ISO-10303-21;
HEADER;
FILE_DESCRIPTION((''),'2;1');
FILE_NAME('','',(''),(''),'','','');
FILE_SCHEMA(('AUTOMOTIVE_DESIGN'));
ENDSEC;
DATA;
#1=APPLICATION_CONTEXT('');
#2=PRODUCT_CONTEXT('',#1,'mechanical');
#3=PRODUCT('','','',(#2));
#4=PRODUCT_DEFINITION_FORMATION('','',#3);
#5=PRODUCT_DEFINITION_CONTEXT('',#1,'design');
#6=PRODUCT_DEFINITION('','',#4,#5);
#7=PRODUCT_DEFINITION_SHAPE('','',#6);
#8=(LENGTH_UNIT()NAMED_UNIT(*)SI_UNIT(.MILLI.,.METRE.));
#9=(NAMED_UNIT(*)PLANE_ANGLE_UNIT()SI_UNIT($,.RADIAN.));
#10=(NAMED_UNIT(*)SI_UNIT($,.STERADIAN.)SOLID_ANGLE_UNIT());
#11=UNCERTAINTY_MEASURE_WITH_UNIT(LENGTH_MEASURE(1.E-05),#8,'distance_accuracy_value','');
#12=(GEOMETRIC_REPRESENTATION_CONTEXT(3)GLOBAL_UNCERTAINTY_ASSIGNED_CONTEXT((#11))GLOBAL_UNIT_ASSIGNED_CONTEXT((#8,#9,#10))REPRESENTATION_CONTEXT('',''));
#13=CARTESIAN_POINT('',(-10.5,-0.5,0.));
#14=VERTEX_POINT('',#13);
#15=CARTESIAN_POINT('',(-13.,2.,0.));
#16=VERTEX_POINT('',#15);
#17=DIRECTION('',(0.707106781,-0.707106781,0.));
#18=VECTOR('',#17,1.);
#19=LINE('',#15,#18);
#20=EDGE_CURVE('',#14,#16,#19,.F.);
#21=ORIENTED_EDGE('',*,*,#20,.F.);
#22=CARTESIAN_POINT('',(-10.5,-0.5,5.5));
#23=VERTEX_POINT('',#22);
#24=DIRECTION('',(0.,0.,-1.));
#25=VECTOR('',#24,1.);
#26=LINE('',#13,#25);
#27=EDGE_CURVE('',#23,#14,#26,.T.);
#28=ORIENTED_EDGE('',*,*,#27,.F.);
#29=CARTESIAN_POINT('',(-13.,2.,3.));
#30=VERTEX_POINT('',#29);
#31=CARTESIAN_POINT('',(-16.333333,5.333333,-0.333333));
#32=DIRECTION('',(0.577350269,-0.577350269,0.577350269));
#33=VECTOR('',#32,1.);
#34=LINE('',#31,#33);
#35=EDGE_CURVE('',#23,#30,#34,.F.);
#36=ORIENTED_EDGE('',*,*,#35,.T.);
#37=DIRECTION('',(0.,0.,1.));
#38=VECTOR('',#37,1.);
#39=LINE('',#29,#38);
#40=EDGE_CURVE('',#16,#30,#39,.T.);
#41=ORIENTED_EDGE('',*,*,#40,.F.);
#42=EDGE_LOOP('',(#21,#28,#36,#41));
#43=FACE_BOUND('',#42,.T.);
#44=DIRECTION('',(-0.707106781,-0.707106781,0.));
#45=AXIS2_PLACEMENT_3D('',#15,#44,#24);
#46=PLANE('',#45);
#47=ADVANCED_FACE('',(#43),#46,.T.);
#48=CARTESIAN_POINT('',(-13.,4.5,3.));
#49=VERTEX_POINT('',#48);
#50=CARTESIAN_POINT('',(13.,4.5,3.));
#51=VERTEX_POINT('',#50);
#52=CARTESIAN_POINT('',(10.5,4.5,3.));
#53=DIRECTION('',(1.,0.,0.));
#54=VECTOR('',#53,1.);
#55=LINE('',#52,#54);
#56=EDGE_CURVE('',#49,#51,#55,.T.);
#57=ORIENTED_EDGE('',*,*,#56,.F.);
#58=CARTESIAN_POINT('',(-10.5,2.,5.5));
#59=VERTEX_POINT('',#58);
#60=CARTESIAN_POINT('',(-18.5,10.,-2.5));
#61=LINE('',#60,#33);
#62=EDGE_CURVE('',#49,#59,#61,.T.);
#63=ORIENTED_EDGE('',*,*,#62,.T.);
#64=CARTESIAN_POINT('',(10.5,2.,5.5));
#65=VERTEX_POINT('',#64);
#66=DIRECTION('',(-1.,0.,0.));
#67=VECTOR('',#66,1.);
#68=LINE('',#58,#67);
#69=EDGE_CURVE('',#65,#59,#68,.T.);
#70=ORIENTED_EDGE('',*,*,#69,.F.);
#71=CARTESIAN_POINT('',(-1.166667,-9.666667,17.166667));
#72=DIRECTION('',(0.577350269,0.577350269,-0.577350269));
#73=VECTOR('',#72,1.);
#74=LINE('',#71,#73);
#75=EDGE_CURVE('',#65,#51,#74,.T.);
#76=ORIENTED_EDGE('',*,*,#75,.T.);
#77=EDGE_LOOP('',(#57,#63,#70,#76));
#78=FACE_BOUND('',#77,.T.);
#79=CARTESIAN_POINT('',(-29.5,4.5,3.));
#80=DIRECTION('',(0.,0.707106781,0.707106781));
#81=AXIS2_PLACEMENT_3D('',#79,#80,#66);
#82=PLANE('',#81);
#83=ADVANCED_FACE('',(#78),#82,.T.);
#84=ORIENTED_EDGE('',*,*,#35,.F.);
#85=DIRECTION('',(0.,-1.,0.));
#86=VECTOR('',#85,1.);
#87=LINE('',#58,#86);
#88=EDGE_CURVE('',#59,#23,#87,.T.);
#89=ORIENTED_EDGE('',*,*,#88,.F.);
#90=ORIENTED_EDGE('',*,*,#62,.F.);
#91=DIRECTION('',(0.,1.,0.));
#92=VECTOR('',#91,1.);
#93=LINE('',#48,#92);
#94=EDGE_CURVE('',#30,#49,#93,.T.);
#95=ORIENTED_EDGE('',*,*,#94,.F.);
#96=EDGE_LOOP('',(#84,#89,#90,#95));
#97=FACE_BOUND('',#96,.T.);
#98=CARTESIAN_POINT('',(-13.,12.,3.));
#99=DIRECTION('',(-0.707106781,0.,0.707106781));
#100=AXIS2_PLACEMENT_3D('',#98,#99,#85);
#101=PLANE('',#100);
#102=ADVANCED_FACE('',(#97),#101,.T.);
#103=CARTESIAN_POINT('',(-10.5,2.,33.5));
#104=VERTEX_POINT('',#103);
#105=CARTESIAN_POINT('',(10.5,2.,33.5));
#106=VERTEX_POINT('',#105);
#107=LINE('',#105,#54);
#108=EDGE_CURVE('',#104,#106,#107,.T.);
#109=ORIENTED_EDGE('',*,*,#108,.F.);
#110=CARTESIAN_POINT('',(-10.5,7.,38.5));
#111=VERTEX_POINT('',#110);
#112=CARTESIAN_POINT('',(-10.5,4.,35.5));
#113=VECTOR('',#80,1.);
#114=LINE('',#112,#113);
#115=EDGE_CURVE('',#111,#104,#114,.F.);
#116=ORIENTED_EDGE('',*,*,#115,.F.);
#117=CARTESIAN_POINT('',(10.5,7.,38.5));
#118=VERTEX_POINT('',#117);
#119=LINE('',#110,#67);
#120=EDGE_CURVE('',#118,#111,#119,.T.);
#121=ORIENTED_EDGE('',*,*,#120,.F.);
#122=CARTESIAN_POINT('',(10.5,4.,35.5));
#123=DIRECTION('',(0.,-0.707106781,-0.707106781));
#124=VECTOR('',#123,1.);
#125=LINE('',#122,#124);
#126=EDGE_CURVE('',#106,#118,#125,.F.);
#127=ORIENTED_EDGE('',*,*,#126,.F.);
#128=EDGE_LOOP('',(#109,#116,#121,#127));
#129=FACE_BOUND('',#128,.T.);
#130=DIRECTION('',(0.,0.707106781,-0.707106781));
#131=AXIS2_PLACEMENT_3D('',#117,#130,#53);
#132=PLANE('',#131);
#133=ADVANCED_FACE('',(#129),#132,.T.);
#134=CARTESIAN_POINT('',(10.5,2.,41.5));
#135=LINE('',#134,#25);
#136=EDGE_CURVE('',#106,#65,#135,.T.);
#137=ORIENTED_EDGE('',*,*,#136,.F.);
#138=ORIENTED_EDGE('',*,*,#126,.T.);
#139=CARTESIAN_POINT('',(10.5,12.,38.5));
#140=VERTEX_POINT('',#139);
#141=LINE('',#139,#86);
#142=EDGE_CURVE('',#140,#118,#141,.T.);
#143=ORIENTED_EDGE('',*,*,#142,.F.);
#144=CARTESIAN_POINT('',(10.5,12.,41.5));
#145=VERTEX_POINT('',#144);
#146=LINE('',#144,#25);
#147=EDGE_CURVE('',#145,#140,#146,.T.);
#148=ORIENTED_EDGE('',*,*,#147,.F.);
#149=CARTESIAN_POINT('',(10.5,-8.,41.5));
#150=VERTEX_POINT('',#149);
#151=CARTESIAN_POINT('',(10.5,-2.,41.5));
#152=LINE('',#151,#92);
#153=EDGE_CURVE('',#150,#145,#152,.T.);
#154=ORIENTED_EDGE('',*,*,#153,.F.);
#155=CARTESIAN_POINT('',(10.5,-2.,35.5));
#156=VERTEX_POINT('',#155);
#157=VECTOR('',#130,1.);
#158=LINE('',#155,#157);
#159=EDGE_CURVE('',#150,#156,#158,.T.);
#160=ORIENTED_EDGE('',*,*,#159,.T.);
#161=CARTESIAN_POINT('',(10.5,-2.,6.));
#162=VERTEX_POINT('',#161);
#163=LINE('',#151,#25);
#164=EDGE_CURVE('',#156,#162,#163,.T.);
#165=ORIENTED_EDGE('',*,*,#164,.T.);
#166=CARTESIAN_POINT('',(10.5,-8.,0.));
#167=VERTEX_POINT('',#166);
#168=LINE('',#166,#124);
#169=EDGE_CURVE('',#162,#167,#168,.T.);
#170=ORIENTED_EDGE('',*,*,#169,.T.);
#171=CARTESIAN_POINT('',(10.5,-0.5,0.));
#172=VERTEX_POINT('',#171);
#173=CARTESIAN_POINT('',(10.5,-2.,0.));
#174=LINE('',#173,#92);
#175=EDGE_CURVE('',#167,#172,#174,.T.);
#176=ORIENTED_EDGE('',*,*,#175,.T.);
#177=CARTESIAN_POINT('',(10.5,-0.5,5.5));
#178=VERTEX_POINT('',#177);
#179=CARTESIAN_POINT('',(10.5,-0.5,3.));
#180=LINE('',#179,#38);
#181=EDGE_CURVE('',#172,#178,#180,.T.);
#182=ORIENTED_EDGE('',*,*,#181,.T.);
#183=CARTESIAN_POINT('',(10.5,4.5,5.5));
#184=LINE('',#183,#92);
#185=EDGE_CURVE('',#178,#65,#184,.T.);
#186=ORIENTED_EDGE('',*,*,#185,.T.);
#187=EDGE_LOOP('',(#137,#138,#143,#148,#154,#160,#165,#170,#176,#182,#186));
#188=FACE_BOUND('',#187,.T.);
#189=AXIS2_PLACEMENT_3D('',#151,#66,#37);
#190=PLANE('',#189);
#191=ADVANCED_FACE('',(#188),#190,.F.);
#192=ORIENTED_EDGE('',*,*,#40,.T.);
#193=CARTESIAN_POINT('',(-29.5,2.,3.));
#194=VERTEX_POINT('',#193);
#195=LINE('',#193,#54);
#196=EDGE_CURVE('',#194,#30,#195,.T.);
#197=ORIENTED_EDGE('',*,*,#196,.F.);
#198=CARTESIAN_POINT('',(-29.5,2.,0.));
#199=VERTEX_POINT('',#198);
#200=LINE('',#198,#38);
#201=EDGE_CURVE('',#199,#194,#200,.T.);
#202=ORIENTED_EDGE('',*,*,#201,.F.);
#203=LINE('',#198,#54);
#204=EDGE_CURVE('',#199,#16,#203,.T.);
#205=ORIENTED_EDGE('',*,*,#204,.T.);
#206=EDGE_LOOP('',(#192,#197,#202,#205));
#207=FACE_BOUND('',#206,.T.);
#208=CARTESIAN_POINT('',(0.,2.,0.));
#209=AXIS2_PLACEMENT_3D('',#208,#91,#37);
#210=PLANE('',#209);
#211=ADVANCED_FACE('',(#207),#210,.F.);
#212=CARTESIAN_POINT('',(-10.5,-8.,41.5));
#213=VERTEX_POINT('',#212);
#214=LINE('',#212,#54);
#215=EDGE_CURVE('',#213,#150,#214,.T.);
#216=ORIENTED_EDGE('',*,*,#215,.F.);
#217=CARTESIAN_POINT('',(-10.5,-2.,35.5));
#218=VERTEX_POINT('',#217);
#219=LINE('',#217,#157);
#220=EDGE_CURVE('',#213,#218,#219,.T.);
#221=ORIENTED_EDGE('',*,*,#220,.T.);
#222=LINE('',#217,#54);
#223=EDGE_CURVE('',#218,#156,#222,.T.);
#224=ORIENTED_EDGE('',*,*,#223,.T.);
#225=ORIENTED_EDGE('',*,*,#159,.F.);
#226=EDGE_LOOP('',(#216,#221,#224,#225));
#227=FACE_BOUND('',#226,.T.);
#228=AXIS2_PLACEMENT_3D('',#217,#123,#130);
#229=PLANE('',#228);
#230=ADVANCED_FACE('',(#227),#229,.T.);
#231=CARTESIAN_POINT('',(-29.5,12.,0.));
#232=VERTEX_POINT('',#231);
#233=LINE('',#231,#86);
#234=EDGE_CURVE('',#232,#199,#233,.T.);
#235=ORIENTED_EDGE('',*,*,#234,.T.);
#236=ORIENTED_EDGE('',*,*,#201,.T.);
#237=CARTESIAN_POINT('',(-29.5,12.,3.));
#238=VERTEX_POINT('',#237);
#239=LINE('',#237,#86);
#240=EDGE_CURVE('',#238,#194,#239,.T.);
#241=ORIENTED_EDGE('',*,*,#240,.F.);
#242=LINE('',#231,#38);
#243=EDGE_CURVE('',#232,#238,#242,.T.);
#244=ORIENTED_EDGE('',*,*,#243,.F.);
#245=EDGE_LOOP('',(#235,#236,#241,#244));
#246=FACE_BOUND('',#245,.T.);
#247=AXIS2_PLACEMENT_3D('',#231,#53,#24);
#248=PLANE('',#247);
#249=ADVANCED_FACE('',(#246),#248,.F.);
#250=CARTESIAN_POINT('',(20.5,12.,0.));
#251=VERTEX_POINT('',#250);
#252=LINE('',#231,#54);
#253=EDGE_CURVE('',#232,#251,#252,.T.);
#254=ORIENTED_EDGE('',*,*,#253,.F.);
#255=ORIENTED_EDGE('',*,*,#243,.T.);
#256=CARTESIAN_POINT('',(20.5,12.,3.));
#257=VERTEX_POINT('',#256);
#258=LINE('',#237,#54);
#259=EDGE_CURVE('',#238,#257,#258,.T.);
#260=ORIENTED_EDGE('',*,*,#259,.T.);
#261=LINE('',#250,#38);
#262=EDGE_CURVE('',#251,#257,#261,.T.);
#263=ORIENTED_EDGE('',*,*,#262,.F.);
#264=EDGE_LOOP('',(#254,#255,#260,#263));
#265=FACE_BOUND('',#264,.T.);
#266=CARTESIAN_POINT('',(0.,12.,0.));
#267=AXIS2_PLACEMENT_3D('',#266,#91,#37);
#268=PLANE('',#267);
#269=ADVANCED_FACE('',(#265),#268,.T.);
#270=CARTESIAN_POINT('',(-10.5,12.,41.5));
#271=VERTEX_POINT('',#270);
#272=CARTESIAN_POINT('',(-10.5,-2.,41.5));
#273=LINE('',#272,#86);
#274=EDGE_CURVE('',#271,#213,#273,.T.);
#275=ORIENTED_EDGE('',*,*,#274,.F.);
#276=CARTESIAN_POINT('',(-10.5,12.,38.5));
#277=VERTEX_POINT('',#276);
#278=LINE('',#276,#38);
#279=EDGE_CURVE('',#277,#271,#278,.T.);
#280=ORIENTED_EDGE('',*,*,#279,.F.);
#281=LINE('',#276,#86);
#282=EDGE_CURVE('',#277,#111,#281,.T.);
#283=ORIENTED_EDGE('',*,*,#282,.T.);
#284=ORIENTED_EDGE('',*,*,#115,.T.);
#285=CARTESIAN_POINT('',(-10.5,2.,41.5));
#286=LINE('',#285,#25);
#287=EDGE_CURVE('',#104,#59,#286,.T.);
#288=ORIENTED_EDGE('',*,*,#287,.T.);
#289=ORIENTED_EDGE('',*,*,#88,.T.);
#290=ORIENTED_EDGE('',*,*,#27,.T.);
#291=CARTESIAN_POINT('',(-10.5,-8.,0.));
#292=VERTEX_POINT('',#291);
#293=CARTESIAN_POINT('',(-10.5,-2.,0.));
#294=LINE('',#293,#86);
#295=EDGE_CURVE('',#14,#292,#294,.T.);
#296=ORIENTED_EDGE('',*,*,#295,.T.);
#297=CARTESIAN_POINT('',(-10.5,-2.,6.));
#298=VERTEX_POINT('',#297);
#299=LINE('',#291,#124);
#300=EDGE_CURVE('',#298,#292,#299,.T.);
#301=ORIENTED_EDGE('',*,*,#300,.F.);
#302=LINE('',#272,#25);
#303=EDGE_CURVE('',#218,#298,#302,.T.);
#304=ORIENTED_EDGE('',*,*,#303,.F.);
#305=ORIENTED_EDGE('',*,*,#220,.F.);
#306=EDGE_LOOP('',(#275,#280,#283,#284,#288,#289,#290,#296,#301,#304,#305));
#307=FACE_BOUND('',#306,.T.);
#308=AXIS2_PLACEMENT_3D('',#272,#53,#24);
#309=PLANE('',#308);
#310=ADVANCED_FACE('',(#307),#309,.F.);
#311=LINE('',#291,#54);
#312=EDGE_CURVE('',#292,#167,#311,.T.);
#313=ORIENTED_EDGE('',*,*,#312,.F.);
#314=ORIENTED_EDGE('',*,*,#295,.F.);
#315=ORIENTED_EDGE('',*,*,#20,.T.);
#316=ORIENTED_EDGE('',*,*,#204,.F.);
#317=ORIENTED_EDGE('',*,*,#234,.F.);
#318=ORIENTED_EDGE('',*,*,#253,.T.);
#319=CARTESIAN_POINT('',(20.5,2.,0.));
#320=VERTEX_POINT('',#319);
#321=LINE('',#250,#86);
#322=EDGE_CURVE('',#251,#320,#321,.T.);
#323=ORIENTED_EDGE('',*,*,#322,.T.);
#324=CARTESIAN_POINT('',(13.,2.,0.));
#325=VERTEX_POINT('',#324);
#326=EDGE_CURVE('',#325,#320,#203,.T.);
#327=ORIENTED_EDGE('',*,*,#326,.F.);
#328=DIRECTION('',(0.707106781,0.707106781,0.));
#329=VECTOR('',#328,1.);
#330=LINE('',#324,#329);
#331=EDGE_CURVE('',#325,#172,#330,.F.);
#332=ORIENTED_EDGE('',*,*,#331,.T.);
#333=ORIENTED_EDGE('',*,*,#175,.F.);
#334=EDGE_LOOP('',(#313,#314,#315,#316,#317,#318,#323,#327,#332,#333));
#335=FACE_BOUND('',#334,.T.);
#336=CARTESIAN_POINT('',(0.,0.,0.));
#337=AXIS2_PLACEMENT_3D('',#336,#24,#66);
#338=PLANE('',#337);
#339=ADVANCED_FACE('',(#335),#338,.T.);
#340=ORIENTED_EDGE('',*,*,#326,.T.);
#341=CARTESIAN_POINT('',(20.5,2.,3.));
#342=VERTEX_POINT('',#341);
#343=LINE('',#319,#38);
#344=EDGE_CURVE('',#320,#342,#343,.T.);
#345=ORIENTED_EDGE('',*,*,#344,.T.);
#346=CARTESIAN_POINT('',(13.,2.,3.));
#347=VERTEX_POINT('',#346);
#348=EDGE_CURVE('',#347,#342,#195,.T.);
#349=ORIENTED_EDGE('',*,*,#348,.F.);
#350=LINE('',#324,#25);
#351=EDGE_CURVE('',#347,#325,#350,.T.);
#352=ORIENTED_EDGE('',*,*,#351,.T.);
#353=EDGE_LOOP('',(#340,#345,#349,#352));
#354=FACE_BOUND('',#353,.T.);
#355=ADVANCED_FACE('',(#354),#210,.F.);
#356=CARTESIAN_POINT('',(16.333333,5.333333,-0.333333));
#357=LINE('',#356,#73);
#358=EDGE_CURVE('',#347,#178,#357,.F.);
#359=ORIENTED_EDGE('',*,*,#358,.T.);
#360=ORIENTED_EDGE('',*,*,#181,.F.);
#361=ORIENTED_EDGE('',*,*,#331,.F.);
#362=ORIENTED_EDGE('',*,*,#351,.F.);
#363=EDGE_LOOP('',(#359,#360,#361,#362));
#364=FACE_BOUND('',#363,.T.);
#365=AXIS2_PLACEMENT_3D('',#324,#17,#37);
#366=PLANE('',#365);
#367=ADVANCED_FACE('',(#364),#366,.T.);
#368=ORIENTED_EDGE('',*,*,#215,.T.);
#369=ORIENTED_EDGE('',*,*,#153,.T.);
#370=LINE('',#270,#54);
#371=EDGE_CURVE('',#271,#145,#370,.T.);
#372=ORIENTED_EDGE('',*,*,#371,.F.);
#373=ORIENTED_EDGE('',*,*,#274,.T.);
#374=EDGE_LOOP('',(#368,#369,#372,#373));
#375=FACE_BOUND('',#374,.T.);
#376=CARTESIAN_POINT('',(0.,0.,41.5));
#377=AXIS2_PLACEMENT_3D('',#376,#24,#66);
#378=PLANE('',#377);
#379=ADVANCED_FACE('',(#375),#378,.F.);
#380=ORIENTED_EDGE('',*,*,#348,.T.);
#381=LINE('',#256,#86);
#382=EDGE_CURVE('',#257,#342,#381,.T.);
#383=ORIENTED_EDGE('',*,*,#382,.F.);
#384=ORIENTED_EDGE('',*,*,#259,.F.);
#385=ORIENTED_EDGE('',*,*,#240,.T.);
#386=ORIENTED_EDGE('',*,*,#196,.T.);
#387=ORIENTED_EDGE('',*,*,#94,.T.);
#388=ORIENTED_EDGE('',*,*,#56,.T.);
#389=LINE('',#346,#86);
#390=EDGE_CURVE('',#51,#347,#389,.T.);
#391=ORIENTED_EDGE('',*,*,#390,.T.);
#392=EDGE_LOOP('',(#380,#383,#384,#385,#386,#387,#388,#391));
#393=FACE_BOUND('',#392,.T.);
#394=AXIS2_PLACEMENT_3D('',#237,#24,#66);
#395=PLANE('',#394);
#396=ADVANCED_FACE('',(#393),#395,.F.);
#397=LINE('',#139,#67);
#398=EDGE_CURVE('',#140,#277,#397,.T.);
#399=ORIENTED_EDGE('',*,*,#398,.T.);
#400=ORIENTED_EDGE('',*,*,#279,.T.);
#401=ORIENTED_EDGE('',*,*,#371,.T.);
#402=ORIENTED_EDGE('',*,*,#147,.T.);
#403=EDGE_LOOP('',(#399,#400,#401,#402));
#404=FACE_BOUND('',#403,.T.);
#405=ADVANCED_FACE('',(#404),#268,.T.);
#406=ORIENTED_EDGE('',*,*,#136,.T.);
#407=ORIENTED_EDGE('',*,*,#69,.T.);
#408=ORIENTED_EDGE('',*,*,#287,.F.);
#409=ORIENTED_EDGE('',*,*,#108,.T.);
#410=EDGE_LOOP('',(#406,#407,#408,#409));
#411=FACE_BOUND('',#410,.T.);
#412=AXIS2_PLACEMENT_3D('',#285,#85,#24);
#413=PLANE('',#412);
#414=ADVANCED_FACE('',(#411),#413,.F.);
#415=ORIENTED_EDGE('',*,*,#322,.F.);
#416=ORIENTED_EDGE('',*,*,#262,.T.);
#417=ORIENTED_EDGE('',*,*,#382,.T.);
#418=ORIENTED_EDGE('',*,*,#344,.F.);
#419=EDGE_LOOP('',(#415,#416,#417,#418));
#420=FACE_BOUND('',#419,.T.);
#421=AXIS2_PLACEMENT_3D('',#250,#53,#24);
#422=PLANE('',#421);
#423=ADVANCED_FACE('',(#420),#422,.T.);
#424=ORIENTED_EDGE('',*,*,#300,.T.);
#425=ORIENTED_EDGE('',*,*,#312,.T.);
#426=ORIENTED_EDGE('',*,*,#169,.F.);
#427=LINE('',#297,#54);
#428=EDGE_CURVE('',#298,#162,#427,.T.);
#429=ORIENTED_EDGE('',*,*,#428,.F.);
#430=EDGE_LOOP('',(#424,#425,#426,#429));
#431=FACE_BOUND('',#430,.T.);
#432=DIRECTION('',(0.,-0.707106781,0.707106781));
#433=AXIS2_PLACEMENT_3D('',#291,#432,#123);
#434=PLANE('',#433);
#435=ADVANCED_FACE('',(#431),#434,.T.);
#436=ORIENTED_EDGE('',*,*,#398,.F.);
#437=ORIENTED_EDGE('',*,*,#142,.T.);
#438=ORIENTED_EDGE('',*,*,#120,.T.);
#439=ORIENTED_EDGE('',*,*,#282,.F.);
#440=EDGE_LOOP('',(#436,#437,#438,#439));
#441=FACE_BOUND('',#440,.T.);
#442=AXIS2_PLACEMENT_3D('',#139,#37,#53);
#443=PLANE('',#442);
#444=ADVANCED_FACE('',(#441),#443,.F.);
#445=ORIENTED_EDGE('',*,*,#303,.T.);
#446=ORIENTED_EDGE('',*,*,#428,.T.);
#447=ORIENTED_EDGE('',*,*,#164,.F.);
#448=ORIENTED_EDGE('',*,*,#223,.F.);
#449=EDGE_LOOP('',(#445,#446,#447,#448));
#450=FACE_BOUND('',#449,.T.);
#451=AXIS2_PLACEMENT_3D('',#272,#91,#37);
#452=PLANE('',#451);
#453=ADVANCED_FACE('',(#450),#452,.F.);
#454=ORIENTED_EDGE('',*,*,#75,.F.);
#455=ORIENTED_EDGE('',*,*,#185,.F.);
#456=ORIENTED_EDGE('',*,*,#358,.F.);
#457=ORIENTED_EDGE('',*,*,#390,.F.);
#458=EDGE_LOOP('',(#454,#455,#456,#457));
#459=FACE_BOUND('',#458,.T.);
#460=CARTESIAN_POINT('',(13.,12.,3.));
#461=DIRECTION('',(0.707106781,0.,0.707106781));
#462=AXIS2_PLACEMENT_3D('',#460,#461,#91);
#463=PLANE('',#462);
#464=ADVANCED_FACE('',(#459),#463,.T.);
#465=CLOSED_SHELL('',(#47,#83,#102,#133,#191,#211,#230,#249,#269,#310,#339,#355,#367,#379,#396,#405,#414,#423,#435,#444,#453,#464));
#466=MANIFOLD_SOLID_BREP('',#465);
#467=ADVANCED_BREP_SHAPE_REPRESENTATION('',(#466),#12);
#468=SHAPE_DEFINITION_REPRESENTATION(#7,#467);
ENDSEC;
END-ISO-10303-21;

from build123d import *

# Parameters (mm, degrees)
SKETCH1_W           = 21
SKETCH1_H           = 4
BOSS_EXTRUDE1_DEPTH = 41.5
SKETCH2_W           = 21
SKETCH2_H           = 3
BOSS_EXTRUDE2_DEPTH = 10
CHAMFER1_SIZE       = 5
BOSS_EXTRUDE3_DEPTH = 21
SKETCH6_W           = 50
SKETCH6_H           = 3
BOSS_EXTRUDE4_DEPTH = 10
CHAMFER3_SIZE       = 2.5
CHAMFER4_SIZE       = 2.5
CHAMFER5_SIZE       = 2.5


with BuildPart() as part:
    # Sketch1 → Boss-Extrude1 (new body)
    with BuildSketch(Plane.XY):
        Rectangle(SKETCH1_W, SKETCH1_H)
    extrude(amount=BOSS_EXTRUDE1_DEPTH)

    # Sketch2 → Boss-Extrude2 (add)
    with BuildSketch(Plane(origin=(0, 2, 0), x_dir=(1, 0, 0), z_dir=(0, 1, 0))):
        with Locations((0, -40)):
            Rectangle(SKETCH2_W, SKETCH2_H)
    extrude(amount=BOSS_EXTRUDE2_DEPTH)

    # Chamfer1
    chamfer1_edges = [part.edges().sort_by_distance(p)[0] for p in [
        (0, 2, 38.5),
    ]]
    chamfer(chamfer1_edges, length=CHAMFER1_SIZE)

    # Sketch4 → Boss-Extrude3 (add)
    with BuildSketch(Plane(origin=(10.5, 0, 0), x_dir=(0, 0, -1), z_dir=(1, 0, 0))):
        Polygon((-35.5, -2), (-41.5, -8), (-41.5, -2), align=None)
        Polygon((0, -2), (0, -8), (-6, -2), align=None)
    extrude(amount=-BOSS_EXTRUDE3_DEPTH)

    # Sketch6 → Boss-Extrude4 (add)
    with BuildSketch(Plane(origin=(0, 2, 0), x_dir=(1, 0, 0), z_dir=(0, 1, 0))):
        with Locations((-4.5, -1.5)):
            Rectangle(SKETCH6_W, SKETCH6_H)
    extrude(amount=BOSS_EXTRUDE4_DEPTH)

    # Chamfer3
    chamfer3_edges = [part.edges().sort_by_distance(p)[0] for p in [
        (0, 2, 3),
    ]]
    chamfer(chamfer3_edges, length=CHAMFER3_SIZE)

    # Chamfer4
    chamfer4_edges = [part.edges().sort_by_distance(p)[0] for p in [
        (-10.5, 2, 1.5),
        (-10.5, 3.25, 3),
    ]]
    chamfer(chamfer4_edges, length=CHAMFER4_SIZE)

    # Chamfer5
    chamfer5_edges = [part.edges().sort_by_distance(p)[0] for p in [
        (10.5, 2, 1.5),
        (10.5, 3.25, 3),
    ]]
    chamfer(chamfer5_edges, length=CHAMFER5_SIZE)


solid = part.part
